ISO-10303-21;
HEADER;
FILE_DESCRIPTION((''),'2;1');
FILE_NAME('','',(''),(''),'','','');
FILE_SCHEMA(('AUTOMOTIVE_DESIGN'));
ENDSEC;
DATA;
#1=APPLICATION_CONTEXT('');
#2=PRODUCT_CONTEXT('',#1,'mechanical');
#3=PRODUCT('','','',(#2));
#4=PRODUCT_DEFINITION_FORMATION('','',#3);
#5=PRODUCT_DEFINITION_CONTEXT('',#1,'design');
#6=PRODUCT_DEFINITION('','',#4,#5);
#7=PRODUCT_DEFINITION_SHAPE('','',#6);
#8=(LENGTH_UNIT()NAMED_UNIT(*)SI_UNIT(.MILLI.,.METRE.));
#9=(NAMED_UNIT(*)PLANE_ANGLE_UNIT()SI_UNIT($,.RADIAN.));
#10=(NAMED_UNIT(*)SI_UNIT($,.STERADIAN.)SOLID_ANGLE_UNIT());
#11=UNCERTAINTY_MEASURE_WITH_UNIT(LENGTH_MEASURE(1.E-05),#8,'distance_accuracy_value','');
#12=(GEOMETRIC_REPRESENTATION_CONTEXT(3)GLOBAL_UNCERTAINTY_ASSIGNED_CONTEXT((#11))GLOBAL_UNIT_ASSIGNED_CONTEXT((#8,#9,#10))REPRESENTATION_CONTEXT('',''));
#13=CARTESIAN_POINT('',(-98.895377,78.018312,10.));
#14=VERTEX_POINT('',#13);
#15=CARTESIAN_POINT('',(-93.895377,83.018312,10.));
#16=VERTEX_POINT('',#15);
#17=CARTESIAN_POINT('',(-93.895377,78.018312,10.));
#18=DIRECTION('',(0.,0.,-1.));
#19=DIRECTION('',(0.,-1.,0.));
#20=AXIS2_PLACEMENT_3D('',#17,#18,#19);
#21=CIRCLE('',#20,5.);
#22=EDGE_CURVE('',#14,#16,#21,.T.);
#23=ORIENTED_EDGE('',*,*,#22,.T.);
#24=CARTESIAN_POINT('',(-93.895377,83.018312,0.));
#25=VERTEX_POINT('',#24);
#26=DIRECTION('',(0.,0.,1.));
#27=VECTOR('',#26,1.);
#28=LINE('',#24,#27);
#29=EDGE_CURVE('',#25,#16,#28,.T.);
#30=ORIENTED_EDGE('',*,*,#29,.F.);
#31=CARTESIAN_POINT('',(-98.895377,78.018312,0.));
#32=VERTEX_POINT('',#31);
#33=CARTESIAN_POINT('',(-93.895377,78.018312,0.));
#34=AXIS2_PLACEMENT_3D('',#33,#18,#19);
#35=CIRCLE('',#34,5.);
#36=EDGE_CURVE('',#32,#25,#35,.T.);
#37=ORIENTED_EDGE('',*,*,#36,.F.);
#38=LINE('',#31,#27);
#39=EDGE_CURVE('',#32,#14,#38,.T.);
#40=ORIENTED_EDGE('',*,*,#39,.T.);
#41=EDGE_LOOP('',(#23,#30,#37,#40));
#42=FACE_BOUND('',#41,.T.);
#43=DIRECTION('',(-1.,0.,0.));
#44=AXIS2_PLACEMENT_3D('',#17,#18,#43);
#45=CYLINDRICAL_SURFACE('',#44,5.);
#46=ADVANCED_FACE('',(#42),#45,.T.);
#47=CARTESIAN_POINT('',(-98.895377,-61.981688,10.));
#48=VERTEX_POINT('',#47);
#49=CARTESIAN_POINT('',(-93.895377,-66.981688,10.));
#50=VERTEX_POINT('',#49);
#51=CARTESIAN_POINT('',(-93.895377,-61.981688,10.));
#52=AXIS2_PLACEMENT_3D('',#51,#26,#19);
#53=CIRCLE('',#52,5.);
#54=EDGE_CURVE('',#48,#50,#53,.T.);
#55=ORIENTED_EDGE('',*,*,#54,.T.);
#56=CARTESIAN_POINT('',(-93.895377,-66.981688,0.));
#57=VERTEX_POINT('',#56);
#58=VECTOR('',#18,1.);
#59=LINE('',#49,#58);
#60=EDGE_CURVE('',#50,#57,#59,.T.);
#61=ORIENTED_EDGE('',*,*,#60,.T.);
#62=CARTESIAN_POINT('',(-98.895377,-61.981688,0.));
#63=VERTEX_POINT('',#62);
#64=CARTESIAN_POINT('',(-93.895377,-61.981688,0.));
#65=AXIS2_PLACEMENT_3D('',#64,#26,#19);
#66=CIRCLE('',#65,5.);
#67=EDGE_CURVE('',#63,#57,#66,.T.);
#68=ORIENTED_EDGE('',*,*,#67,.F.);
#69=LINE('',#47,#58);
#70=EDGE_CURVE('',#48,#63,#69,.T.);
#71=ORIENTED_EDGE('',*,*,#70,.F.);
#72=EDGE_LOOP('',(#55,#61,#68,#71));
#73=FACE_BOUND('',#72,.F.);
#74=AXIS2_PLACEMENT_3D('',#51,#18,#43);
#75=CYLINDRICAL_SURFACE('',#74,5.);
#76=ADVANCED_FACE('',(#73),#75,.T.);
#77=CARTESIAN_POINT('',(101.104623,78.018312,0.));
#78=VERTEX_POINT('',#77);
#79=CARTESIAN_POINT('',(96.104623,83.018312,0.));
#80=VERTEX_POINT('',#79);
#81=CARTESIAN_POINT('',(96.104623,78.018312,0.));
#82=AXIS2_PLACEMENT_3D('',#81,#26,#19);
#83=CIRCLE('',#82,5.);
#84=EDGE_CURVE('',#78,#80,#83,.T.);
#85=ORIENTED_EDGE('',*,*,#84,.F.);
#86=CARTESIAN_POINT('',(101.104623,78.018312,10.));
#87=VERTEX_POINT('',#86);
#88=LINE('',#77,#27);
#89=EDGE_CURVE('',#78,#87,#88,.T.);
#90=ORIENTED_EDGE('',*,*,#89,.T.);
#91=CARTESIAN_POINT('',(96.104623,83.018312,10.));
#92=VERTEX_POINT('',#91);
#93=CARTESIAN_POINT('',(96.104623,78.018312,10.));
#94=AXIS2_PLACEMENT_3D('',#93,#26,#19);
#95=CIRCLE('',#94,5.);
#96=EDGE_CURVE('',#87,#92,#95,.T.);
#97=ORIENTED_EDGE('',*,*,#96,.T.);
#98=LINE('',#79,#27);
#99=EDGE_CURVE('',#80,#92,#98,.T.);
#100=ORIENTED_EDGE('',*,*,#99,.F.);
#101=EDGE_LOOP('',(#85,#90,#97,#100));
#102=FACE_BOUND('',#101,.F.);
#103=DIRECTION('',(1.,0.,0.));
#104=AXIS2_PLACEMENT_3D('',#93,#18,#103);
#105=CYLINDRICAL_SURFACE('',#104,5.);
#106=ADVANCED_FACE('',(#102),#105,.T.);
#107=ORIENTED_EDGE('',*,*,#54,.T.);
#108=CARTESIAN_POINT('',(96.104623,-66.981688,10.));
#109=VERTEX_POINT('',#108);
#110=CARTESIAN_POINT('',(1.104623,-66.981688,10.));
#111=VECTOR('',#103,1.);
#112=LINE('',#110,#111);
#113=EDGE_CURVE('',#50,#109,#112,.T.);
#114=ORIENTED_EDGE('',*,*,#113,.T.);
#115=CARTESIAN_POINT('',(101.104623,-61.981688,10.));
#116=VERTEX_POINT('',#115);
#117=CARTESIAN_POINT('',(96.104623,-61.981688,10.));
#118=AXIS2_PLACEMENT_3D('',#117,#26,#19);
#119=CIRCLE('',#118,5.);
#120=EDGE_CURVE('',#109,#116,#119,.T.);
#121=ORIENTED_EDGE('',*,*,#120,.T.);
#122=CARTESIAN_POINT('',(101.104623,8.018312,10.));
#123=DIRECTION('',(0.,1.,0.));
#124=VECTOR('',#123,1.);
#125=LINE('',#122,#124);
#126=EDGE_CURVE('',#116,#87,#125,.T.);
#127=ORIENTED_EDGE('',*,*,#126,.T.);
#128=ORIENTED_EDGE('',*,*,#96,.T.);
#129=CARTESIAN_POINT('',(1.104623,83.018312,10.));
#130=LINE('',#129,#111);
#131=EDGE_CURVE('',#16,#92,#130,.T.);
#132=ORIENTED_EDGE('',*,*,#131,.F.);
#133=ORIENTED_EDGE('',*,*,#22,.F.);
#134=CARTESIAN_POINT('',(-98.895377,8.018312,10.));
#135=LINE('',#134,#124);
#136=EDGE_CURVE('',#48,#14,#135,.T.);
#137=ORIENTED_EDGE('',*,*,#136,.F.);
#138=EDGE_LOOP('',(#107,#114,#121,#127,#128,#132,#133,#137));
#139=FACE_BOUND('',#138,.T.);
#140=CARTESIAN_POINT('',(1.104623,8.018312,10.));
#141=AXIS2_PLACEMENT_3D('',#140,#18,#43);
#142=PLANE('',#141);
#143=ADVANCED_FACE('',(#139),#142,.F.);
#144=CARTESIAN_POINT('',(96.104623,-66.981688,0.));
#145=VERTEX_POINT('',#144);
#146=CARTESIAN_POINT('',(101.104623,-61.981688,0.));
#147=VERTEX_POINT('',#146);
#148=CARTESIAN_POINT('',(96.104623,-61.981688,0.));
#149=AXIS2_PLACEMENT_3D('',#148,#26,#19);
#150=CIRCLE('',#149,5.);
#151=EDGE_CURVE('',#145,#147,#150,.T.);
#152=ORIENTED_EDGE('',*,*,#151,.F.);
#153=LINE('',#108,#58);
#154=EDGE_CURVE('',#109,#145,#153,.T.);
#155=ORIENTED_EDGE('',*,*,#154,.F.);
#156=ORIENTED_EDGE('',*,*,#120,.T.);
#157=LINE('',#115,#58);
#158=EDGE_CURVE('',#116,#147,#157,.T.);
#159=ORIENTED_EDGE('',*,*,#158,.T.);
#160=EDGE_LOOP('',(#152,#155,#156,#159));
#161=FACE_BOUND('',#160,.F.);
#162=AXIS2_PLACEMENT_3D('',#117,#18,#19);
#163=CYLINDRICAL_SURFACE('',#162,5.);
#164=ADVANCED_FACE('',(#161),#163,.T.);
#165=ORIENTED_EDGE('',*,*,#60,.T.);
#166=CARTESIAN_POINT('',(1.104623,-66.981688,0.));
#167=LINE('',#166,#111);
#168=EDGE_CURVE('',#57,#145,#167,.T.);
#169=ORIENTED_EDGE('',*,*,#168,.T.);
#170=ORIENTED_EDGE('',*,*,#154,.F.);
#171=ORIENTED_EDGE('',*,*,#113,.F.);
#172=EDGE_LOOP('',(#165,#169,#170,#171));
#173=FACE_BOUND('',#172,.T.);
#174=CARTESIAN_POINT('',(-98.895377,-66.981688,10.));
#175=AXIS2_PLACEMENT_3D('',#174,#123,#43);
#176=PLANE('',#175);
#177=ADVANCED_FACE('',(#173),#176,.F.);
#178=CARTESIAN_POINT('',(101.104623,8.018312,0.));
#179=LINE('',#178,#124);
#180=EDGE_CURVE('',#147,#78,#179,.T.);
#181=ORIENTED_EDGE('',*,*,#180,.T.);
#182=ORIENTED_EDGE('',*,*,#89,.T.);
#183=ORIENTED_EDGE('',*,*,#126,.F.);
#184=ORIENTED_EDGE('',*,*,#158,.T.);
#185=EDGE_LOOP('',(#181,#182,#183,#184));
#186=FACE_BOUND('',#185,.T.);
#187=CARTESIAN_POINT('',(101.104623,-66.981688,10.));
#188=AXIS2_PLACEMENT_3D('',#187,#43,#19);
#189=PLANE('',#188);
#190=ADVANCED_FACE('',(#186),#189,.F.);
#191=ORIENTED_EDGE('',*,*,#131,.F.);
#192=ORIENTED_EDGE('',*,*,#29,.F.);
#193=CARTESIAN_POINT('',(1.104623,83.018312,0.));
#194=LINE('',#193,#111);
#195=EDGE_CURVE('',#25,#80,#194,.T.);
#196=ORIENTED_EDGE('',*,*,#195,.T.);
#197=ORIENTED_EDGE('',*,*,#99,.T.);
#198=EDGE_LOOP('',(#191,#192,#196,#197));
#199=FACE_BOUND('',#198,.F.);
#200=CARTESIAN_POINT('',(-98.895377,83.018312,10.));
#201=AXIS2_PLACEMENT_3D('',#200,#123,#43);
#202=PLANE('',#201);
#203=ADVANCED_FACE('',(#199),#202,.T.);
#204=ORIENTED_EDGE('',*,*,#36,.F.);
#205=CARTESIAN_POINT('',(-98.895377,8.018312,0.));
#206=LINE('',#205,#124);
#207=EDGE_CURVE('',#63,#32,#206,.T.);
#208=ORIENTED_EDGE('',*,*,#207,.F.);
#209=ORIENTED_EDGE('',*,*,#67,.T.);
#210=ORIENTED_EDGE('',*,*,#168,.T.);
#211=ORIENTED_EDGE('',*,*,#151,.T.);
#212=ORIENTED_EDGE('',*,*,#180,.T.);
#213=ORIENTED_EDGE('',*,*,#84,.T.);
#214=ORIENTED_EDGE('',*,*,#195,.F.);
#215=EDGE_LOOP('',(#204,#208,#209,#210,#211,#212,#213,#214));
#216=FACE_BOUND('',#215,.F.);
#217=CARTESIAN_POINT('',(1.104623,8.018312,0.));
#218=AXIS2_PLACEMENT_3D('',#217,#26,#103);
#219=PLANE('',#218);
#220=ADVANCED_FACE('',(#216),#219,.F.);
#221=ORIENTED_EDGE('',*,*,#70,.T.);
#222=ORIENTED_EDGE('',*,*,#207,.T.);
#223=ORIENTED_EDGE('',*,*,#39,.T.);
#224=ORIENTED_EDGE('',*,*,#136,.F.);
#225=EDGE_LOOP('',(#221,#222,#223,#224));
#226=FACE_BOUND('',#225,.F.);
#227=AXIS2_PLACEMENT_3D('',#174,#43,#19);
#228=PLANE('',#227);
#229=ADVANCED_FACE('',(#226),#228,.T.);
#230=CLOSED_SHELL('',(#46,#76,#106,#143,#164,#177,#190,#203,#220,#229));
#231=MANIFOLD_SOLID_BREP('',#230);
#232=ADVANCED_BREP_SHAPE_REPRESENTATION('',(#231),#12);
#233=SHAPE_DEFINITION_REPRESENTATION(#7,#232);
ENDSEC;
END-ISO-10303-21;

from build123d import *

# Parameters (mm, degrees)
F0_W     = 200
F0_H     = 150
F1_DEPTH = 5
F2_R     = 5
F3_R     = 5
F4_R     = 5
F5_R     = 5


with BuildPart() as f1:
    # F0 (on Top) → F1 (new body)
    with BuildSketch(Plane.XY):
        with Locations((1.104623, 8.018312)):
            Rectangle(F0_W, F0_H)
    extrude(amount=F1_DEPTH)

    # F2
    f2_edges = [f1.edges().sort_by_distance(p)[0] for p in [
        (-98.895377, -66.981688, 2.5),
    ]]
    fillet(f2_edges, radius=F2_R)

    # F3
    f3_edges = [f1.edges().sort_by_distance(p)[0] for p in [
        (-98.895377, 83.018312, 2.5),
    ]]
    fillet(f3_edges, radius=F3_R)

    # F4
    f4_edges = [f1.edges().sort_by_distance(p)[0] for p in [
        (101.104623, -66.981688, 2.5),
    ]]
    fillet(f4_edges, radius=F4_R)

    # F5
    f5_edges = [f1.edges().sort_by_distance(p)[0] for p in [
        (101.104623, 83.018312, 2.5),
    ]]
    fillet(f5_edges, radius=F5_R)

    # F7: F1 across face


with BuildPart() as f1_1:
    add(f1.part)
    add(f1.part.mirror(Plane(origin=(1.104623, 8.018312, 5), x_dir=(1, 0, 0), z_dir=(0, 0, 1))))


solid = f1_1.part
